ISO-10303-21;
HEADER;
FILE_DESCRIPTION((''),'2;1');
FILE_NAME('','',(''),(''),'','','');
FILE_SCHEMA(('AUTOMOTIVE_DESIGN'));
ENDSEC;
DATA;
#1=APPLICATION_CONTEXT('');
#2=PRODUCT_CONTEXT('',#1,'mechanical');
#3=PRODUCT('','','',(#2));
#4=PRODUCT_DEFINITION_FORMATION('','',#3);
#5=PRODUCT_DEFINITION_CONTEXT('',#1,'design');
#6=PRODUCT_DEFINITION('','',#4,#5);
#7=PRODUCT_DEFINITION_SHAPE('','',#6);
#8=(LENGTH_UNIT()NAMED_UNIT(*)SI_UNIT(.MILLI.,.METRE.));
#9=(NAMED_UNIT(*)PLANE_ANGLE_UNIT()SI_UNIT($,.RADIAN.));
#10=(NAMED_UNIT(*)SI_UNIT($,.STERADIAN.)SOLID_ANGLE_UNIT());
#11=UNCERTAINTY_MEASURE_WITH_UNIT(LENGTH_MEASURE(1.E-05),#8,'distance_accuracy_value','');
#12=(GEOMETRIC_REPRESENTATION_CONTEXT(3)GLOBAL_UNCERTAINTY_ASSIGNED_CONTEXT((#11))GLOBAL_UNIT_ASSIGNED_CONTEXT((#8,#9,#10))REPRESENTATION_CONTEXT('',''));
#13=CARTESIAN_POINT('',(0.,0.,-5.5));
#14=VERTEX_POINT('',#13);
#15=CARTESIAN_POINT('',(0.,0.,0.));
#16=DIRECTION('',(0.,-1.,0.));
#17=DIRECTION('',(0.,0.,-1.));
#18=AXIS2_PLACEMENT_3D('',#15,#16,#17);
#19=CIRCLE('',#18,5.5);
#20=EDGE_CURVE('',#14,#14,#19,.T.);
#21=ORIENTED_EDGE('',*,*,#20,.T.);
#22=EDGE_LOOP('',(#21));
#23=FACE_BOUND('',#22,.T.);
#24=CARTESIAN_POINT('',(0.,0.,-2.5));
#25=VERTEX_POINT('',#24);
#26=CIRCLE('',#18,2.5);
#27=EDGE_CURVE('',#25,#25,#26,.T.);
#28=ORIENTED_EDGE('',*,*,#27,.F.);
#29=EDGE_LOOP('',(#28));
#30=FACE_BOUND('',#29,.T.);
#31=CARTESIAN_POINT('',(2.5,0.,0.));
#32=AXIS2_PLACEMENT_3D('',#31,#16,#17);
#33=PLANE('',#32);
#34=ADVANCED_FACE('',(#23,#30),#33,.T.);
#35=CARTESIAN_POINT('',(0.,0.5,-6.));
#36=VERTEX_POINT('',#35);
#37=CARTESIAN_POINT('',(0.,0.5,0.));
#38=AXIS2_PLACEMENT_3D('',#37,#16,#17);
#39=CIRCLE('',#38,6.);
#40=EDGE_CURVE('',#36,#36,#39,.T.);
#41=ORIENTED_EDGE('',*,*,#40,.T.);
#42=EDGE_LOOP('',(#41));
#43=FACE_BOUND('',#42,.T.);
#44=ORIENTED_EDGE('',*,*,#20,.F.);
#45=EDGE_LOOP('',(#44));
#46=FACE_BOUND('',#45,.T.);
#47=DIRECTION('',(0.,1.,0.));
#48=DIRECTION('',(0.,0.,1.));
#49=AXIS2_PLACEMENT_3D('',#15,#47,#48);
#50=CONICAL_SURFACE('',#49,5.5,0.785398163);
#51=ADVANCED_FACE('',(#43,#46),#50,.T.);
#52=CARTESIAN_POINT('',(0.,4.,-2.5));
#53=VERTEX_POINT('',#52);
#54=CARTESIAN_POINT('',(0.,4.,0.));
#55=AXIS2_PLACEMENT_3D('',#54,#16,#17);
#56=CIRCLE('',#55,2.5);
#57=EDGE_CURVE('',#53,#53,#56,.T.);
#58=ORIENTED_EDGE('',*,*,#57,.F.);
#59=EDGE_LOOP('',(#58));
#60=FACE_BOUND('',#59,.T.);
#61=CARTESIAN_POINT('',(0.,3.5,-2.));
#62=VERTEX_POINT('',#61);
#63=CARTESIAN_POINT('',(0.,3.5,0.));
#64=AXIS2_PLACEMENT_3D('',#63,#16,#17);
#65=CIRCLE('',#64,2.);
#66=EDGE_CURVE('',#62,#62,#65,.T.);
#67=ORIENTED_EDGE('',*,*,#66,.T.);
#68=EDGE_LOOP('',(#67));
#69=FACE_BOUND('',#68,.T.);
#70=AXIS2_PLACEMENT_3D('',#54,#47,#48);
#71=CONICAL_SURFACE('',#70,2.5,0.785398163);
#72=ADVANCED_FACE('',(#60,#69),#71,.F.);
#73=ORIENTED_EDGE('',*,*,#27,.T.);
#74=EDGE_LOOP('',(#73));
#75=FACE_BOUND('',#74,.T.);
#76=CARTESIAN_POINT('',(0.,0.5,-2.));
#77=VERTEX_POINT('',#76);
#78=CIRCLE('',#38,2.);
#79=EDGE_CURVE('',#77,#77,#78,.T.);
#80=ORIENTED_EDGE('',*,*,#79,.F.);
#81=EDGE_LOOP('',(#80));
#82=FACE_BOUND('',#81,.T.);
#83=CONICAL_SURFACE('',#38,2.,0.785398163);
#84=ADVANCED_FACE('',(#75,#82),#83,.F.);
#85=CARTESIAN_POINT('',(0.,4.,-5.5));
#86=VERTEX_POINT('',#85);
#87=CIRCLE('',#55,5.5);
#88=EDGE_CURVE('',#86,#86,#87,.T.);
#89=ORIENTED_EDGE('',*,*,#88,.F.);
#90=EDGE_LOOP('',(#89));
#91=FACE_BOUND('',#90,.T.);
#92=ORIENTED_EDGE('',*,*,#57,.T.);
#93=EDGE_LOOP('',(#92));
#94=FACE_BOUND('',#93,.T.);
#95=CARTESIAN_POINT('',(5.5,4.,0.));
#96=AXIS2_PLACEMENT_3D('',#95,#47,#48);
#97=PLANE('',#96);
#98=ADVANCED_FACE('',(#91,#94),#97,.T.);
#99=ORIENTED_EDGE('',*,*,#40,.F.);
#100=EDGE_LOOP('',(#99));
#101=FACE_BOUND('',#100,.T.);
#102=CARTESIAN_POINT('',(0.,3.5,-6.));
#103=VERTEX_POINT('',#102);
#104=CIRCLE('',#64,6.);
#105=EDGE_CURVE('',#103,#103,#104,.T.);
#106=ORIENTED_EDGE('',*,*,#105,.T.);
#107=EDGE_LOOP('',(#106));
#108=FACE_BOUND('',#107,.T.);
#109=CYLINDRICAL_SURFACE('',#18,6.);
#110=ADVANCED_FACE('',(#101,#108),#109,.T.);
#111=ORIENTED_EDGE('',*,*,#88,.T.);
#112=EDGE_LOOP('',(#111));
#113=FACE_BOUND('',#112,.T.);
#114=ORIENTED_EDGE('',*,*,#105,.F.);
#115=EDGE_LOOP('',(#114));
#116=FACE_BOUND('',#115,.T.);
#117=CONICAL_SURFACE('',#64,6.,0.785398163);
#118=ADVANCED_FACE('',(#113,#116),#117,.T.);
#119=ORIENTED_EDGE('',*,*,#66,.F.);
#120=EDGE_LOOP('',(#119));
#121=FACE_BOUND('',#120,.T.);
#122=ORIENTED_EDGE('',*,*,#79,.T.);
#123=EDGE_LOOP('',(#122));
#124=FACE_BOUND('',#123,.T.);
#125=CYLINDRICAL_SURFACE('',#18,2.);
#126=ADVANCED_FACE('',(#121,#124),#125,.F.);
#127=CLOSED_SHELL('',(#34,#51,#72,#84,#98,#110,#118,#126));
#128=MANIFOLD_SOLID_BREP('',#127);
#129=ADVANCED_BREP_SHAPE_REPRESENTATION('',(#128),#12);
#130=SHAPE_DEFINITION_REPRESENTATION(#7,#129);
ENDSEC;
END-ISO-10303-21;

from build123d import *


with BuildPart() as part:
    # Sketch2 → Revolve1 (revolve)
    with BuildSketch(Plane.XY):
        Polygon((2.5, 0), (5.5, 0), (6, 0.5), (6, 3.5), (5.5, 4), (2.5, 4), (2, 3.5), (2, 0.5), align=None)
    revolve(axis=Axis((0, 0, 0), (0, 1, 0)))


solid = part.part
